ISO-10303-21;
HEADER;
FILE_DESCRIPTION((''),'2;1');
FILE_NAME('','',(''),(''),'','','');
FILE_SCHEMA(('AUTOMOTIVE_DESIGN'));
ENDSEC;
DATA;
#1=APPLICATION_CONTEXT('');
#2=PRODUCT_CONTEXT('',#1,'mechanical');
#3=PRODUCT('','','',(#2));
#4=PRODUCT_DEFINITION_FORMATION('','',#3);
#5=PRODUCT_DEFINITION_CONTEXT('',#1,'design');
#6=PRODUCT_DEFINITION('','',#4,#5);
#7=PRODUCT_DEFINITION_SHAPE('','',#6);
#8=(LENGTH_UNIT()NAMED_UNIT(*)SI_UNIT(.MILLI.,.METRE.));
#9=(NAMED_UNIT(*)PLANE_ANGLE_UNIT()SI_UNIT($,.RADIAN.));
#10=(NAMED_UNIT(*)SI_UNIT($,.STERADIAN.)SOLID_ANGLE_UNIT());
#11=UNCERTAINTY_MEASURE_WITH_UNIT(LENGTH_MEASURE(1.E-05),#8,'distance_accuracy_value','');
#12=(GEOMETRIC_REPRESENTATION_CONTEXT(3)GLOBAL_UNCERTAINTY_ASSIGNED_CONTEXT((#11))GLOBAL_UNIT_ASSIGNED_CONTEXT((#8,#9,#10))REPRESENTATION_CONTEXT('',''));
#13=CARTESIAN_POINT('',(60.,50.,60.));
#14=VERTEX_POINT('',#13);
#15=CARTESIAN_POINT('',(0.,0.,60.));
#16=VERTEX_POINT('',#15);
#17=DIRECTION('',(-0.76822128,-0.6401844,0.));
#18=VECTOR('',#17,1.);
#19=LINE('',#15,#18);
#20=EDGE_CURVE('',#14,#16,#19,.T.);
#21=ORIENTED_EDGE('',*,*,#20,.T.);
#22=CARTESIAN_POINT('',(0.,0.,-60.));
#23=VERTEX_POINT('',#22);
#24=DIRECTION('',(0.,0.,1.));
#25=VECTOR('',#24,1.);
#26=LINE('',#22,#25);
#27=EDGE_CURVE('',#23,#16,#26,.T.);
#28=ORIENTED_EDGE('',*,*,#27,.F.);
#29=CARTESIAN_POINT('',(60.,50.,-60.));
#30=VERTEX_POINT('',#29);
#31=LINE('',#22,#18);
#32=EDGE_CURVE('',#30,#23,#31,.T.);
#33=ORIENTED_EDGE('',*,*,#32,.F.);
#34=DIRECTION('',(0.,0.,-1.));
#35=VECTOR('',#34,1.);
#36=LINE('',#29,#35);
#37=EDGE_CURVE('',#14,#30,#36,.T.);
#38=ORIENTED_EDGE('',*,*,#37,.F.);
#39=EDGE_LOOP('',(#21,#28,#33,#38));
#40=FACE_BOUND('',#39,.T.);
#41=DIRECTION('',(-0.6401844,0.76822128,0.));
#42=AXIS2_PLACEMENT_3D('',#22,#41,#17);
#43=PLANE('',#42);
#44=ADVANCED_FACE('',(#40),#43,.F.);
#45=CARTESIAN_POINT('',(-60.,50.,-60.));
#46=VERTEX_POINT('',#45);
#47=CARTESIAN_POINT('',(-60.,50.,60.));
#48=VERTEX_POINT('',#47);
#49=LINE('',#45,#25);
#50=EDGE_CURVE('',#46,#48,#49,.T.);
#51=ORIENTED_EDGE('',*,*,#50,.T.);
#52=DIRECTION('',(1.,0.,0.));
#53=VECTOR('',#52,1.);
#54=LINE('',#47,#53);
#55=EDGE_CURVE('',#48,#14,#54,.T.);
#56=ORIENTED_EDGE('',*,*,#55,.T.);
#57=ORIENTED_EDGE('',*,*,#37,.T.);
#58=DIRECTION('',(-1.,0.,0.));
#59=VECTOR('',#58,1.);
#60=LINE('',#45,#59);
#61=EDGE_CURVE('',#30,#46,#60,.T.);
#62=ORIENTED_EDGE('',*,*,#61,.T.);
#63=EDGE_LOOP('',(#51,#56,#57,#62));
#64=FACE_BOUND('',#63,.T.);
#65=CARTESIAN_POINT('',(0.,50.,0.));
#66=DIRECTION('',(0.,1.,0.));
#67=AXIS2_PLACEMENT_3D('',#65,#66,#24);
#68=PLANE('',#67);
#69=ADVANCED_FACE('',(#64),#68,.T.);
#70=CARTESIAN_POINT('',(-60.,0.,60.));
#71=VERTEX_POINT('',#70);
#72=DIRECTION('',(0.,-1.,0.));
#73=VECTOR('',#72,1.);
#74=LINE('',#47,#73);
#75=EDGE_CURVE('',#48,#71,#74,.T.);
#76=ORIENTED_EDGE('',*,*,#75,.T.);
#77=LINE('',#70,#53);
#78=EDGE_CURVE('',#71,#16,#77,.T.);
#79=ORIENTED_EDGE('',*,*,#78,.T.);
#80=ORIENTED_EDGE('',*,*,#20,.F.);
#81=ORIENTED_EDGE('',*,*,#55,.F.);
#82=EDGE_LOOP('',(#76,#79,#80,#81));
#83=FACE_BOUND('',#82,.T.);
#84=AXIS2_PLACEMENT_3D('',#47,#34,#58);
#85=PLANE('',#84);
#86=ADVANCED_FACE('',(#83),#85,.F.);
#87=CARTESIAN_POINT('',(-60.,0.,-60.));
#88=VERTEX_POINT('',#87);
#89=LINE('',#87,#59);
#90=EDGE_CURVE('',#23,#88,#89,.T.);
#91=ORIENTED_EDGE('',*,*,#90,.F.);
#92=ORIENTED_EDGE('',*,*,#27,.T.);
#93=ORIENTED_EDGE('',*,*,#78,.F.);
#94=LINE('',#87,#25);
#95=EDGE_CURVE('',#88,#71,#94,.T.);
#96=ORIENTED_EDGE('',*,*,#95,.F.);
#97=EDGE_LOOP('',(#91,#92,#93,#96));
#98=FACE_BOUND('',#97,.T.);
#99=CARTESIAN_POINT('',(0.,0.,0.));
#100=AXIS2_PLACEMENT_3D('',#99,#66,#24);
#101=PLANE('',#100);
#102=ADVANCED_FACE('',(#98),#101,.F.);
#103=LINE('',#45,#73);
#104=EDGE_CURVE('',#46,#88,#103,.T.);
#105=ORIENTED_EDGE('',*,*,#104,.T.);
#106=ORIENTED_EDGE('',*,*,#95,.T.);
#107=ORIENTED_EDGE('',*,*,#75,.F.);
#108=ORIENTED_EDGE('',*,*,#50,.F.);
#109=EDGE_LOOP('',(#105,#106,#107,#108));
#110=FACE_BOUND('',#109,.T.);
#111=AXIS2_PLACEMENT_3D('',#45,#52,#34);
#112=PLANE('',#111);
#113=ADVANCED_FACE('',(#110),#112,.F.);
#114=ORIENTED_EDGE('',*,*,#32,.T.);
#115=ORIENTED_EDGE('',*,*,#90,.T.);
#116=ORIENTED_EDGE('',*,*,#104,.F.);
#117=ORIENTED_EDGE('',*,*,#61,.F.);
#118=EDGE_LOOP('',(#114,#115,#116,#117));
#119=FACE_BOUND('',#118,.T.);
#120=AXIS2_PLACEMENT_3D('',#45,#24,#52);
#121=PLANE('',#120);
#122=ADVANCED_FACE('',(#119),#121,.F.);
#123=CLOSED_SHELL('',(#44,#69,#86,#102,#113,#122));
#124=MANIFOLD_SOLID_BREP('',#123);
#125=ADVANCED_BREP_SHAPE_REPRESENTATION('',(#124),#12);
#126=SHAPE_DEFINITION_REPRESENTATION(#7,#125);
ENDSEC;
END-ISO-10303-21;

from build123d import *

# Parameters (mm, degrees)
SKETCH_1_W          = 120
SKETCH_1_H          = 120
EXTRUDE_1_DEPTH     = 50
CUT_EXTRUDE_1_DEPTH = 144.178210633


with BuildPart() as part:
    # 草图1 → 凸台-拉伸1 (new body)
    with BuildSketch(Plane(origin=(0, 0, 0), x_dir=(1, 0, 0), z_dir=(0, 1, 0))):
        Rectangle(SKETCH_1_W, SKETCH_1_H)
    extrude(amount=EXTRUDE_1_DEPTH)

    # 草图2 → 切除-拉伸1 (cut, through all)
    with BuildSketch(Plane.XY.offset(60)):
        Polygon((60, 0), (0, 0), (60, 50), align=None)
    extrude(amount=-CUT_EXTRUDE_1_DEPTH, mode=Mode.SUBTRACT)


solid = part.part
